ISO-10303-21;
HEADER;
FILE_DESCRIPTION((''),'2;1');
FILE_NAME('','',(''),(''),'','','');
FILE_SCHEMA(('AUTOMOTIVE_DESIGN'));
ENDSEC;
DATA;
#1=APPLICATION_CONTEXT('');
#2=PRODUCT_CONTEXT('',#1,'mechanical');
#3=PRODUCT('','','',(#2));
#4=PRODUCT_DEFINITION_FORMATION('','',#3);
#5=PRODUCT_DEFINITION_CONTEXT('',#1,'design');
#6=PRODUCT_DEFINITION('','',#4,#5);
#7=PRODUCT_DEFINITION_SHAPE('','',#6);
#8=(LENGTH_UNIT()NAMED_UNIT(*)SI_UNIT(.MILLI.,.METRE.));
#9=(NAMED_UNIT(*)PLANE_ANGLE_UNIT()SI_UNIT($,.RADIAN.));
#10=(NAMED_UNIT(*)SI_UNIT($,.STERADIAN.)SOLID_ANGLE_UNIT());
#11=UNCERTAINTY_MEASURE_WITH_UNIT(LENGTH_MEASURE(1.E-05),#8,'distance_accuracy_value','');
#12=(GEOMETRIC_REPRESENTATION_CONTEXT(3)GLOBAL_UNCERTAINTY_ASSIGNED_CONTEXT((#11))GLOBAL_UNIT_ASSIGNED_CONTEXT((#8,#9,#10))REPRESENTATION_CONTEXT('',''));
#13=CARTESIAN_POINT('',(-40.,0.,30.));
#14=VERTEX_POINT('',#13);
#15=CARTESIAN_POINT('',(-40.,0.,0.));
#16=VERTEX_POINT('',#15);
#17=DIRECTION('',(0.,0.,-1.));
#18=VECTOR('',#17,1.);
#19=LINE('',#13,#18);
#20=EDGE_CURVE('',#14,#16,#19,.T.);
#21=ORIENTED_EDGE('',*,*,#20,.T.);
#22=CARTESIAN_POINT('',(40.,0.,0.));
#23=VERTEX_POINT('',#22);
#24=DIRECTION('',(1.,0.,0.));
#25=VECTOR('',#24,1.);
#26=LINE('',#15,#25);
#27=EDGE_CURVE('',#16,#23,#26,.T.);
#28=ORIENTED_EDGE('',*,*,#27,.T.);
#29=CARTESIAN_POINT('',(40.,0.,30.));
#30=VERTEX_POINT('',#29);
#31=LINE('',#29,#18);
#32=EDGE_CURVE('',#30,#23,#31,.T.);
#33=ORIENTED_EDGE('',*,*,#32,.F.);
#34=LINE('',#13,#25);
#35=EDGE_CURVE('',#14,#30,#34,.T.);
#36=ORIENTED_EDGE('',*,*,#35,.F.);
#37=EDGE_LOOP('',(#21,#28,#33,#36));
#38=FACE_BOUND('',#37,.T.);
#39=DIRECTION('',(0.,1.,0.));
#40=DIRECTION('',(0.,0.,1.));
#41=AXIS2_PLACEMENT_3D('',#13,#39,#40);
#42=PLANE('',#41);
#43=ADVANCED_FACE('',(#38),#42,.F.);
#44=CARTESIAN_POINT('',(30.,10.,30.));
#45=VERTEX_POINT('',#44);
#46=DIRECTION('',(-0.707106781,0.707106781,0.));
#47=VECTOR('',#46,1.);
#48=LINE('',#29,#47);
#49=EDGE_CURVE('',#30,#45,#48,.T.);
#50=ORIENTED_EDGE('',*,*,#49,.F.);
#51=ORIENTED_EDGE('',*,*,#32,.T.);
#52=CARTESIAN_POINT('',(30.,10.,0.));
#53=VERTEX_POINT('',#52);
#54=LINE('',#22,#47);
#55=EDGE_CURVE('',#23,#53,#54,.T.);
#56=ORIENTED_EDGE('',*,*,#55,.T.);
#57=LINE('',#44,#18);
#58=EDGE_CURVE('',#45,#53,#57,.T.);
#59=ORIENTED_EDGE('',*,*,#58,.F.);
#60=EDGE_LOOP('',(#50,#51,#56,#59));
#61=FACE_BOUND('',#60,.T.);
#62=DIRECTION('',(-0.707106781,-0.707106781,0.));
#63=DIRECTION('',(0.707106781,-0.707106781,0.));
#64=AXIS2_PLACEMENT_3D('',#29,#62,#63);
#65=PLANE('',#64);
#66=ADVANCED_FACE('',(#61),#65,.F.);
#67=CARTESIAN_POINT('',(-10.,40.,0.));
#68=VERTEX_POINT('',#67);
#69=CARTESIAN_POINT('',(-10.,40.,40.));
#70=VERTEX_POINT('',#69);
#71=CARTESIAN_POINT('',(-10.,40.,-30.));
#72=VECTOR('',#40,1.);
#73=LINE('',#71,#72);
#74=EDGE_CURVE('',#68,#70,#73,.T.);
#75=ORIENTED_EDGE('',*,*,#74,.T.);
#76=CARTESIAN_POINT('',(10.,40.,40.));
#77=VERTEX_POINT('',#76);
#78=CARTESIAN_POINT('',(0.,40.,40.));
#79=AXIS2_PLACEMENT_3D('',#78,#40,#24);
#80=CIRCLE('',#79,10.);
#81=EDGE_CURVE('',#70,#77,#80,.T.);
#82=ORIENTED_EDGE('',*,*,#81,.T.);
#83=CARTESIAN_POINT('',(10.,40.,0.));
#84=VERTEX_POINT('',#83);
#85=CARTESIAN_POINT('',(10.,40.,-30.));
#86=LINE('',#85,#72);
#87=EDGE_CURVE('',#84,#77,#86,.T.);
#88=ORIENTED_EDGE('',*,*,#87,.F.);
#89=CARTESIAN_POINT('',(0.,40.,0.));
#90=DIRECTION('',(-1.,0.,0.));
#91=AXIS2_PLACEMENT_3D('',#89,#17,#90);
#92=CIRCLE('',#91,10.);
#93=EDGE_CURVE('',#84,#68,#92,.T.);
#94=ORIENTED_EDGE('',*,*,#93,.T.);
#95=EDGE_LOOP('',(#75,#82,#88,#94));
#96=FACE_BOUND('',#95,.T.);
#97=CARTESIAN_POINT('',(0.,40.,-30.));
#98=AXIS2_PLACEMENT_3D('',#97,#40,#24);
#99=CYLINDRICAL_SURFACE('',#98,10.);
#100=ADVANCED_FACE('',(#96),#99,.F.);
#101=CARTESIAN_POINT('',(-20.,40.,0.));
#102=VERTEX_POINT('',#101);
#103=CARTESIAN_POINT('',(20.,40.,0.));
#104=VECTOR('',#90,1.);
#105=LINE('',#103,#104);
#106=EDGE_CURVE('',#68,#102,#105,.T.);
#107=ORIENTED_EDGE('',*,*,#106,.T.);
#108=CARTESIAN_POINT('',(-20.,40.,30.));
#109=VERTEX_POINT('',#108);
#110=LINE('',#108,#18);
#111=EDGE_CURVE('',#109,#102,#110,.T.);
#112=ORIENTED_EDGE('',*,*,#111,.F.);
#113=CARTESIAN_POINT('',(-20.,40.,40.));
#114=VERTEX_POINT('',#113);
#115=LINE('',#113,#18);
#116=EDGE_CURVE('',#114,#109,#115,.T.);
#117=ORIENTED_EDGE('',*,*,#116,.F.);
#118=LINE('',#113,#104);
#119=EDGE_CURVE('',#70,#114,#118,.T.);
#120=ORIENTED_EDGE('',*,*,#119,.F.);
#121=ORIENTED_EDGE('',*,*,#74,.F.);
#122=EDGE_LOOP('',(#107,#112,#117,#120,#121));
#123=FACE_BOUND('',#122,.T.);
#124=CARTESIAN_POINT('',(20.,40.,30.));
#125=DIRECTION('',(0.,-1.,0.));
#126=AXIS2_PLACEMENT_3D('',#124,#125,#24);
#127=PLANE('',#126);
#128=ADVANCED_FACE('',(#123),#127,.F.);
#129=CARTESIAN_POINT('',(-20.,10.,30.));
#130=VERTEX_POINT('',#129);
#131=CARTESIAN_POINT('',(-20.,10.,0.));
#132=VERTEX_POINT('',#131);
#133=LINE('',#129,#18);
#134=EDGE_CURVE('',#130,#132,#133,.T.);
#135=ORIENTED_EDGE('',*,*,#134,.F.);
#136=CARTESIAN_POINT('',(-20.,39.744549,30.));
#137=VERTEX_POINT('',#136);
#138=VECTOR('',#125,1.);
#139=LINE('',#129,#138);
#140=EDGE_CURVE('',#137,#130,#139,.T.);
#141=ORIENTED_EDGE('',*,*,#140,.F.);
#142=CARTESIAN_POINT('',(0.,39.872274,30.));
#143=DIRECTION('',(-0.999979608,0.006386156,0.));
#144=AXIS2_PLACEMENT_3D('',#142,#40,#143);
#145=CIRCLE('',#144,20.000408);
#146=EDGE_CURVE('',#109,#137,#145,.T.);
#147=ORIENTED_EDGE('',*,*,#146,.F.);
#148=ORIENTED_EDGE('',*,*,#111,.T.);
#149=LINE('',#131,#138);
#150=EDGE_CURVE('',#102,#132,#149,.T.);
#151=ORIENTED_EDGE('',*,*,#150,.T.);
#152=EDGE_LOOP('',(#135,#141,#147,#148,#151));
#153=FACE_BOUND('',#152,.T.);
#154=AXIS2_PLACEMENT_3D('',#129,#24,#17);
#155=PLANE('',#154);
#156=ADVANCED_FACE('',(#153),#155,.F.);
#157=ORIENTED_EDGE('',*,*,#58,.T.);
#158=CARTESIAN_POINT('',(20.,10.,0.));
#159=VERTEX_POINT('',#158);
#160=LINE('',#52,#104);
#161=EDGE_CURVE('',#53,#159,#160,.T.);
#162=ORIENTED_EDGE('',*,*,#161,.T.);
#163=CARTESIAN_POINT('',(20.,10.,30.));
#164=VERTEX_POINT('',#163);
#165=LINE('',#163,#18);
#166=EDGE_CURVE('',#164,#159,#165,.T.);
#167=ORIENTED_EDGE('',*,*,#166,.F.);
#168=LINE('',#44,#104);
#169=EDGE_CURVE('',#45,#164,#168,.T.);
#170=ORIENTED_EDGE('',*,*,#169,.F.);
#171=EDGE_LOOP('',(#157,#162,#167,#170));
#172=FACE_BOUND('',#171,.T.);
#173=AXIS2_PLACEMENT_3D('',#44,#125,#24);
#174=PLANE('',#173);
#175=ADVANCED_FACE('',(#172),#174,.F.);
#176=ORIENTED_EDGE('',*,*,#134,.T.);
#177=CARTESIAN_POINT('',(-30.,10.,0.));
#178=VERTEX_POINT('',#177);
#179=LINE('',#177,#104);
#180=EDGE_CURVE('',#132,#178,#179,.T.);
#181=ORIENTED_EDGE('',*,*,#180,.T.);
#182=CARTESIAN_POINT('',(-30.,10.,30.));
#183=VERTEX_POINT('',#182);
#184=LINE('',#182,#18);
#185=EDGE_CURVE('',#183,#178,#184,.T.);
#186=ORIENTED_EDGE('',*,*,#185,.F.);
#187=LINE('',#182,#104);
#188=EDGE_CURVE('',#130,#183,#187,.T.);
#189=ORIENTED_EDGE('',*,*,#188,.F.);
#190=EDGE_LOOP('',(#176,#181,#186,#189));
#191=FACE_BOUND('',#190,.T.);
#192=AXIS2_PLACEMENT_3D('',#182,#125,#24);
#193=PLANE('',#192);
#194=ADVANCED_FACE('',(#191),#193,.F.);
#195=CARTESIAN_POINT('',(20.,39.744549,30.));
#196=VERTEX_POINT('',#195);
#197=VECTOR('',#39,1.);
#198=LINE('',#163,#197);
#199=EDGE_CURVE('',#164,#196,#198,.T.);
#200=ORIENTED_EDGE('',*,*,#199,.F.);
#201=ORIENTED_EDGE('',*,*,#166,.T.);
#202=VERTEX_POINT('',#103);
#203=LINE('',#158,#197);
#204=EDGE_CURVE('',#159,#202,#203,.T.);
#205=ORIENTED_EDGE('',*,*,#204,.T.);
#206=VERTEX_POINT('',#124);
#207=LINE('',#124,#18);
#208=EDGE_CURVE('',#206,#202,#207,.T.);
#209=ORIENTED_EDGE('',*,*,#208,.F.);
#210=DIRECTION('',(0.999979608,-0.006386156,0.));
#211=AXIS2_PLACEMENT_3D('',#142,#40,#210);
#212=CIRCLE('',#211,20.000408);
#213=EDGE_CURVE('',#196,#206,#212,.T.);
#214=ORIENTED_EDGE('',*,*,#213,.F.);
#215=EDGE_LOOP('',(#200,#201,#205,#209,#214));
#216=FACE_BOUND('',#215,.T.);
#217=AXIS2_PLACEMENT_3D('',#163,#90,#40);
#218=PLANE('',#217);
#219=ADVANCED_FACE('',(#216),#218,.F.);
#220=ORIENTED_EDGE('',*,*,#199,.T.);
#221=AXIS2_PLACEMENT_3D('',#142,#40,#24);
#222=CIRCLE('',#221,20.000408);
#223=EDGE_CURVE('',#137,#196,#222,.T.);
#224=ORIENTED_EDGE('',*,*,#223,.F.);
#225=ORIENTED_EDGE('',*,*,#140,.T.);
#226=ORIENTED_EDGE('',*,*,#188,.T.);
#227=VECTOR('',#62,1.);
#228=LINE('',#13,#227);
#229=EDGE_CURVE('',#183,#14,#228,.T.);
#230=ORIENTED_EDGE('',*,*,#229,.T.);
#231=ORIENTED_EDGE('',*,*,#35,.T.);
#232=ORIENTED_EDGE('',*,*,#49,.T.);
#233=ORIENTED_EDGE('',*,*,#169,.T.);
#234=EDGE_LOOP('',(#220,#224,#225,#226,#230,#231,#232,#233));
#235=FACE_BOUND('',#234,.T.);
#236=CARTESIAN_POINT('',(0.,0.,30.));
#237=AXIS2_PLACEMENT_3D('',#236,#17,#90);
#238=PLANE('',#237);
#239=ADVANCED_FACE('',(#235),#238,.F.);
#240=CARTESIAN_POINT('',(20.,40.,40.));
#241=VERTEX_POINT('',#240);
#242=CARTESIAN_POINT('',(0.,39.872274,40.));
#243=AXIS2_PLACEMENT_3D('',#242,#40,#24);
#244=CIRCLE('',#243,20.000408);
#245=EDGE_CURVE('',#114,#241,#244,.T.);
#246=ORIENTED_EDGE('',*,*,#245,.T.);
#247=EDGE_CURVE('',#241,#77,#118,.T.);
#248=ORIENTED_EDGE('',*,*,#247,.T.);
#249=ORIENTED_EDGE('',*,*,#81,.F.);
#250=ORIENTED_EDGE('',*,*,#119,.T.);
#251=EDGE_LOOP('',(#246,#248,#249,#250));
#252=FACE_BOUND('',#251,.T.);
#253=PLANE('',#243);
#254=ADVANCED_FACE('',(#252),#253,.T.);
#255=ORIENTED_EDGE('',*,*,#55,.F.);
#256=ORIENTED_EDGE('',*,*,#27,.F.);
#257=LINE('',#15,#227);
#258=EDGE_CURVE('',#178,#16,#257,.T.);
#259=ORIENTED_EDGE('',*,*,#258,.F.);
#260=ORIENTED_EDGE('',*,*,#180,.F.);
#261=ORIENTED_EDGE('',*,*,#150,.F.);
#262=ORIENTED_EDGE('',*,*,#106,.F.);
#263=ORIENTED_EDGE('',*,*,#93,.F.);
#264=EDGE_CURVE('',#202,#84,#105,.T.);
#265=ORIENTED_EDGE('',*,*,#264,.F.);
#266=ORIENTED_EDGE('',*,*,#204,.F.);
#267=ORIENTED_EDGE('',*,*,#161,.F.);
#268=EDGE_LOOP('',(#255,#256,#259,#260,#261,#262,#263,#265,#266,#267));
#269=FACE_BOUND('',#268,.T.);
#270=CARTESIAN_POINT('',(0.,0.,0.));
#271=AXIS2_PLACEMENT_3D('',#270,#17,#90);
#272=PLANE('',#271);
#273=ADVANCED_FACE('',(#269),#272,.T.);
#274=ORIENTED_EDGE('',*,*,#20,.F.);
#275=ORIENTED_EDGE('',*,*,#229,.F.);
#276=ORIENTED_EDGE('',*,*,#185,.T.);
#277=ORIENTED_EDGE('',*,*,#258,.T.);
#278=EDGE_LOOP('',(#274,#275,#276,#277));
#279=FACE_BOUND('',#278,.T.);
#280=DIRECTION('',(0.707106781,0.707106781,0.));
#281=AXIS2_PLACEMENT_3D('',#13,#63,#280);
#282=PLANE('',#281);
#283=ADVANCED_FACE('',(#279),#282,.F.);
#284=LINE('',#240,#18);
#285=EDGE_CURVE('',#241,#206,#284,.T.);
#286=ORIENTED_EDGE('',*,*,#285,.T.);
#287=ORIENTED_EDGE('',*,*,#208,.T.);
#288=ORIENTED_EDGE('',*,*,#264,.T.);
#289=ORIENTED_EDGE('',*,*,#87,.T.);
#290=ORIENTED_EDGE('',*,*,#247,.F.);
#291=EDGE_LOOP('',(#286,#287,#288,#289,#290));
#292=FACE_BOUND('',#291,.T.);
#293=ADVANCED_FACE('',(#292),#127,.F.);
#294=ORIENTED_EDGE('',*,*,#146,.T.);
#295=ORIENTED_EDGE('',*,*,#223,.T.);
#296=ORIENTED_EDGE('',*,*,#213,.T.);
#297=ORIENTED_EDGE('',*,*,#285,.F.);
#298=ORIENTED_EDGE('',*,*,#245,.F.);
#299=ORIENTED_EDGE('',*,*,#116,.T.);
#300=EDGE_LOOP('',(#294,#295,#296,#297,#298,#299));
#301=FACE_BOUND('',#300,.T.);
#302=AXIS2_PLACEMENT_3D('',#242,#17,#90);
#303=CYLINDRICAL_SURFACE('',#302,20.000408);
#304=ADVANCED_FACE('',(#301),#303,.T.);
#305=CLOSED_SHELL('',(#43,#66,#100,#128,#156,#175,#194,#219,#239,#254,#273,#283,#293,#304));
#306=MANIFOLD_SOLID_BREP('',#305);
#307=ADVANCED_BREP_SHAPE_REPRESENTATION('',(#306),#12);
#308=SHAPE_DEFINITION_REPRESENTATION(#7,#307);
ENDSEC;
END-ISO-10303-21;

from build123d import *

# Parameters (mm, degrees)
EXTRUDE_1_DEPTH     = 30
EXTRUDE_2_DEPTH     = 10
CUT_EXTRUDE_1_DEPTH = 70


with BuildPart() as part:
    # 草圖1 → 填料-伸長1 (new body)
    with BuildSketch(Plane.XY):
        Polygon((-40, 0), (40, 0), (30, 10), (20, 10), (20, 40), (-20, 40), (-20, 10), (-30, 10), align=None)
    extrude(amount=EXTRUDE_1_DEPTH)

    # 草圖2 → 填料-伸長2 (add)
    with BuildSketch(Plane.XY.offset(30)):
        with BuildLine():
            Line((-20, 40), (20, 40))
            ThreePointArc((20, 40), (0, 19.871866441), (-20, 40))
        make_face()
    extrude(amount=EXTRUDE_2_DEPTH)

    # 草圖3 → 除料-伸長1 (cut)
    with BuildSketch(Plane.XY.offset(40)):
        with BuildLine():
            Line((10, 40), (-10, 40))
            ThreePointArc((-10, 40), (0, 30), (10, 40))
        make_face()
    extrude(amount=-CUT_EXTRUDE_1_DEPTH, mode=Mode.SUBTRACT)


solid = part.part
